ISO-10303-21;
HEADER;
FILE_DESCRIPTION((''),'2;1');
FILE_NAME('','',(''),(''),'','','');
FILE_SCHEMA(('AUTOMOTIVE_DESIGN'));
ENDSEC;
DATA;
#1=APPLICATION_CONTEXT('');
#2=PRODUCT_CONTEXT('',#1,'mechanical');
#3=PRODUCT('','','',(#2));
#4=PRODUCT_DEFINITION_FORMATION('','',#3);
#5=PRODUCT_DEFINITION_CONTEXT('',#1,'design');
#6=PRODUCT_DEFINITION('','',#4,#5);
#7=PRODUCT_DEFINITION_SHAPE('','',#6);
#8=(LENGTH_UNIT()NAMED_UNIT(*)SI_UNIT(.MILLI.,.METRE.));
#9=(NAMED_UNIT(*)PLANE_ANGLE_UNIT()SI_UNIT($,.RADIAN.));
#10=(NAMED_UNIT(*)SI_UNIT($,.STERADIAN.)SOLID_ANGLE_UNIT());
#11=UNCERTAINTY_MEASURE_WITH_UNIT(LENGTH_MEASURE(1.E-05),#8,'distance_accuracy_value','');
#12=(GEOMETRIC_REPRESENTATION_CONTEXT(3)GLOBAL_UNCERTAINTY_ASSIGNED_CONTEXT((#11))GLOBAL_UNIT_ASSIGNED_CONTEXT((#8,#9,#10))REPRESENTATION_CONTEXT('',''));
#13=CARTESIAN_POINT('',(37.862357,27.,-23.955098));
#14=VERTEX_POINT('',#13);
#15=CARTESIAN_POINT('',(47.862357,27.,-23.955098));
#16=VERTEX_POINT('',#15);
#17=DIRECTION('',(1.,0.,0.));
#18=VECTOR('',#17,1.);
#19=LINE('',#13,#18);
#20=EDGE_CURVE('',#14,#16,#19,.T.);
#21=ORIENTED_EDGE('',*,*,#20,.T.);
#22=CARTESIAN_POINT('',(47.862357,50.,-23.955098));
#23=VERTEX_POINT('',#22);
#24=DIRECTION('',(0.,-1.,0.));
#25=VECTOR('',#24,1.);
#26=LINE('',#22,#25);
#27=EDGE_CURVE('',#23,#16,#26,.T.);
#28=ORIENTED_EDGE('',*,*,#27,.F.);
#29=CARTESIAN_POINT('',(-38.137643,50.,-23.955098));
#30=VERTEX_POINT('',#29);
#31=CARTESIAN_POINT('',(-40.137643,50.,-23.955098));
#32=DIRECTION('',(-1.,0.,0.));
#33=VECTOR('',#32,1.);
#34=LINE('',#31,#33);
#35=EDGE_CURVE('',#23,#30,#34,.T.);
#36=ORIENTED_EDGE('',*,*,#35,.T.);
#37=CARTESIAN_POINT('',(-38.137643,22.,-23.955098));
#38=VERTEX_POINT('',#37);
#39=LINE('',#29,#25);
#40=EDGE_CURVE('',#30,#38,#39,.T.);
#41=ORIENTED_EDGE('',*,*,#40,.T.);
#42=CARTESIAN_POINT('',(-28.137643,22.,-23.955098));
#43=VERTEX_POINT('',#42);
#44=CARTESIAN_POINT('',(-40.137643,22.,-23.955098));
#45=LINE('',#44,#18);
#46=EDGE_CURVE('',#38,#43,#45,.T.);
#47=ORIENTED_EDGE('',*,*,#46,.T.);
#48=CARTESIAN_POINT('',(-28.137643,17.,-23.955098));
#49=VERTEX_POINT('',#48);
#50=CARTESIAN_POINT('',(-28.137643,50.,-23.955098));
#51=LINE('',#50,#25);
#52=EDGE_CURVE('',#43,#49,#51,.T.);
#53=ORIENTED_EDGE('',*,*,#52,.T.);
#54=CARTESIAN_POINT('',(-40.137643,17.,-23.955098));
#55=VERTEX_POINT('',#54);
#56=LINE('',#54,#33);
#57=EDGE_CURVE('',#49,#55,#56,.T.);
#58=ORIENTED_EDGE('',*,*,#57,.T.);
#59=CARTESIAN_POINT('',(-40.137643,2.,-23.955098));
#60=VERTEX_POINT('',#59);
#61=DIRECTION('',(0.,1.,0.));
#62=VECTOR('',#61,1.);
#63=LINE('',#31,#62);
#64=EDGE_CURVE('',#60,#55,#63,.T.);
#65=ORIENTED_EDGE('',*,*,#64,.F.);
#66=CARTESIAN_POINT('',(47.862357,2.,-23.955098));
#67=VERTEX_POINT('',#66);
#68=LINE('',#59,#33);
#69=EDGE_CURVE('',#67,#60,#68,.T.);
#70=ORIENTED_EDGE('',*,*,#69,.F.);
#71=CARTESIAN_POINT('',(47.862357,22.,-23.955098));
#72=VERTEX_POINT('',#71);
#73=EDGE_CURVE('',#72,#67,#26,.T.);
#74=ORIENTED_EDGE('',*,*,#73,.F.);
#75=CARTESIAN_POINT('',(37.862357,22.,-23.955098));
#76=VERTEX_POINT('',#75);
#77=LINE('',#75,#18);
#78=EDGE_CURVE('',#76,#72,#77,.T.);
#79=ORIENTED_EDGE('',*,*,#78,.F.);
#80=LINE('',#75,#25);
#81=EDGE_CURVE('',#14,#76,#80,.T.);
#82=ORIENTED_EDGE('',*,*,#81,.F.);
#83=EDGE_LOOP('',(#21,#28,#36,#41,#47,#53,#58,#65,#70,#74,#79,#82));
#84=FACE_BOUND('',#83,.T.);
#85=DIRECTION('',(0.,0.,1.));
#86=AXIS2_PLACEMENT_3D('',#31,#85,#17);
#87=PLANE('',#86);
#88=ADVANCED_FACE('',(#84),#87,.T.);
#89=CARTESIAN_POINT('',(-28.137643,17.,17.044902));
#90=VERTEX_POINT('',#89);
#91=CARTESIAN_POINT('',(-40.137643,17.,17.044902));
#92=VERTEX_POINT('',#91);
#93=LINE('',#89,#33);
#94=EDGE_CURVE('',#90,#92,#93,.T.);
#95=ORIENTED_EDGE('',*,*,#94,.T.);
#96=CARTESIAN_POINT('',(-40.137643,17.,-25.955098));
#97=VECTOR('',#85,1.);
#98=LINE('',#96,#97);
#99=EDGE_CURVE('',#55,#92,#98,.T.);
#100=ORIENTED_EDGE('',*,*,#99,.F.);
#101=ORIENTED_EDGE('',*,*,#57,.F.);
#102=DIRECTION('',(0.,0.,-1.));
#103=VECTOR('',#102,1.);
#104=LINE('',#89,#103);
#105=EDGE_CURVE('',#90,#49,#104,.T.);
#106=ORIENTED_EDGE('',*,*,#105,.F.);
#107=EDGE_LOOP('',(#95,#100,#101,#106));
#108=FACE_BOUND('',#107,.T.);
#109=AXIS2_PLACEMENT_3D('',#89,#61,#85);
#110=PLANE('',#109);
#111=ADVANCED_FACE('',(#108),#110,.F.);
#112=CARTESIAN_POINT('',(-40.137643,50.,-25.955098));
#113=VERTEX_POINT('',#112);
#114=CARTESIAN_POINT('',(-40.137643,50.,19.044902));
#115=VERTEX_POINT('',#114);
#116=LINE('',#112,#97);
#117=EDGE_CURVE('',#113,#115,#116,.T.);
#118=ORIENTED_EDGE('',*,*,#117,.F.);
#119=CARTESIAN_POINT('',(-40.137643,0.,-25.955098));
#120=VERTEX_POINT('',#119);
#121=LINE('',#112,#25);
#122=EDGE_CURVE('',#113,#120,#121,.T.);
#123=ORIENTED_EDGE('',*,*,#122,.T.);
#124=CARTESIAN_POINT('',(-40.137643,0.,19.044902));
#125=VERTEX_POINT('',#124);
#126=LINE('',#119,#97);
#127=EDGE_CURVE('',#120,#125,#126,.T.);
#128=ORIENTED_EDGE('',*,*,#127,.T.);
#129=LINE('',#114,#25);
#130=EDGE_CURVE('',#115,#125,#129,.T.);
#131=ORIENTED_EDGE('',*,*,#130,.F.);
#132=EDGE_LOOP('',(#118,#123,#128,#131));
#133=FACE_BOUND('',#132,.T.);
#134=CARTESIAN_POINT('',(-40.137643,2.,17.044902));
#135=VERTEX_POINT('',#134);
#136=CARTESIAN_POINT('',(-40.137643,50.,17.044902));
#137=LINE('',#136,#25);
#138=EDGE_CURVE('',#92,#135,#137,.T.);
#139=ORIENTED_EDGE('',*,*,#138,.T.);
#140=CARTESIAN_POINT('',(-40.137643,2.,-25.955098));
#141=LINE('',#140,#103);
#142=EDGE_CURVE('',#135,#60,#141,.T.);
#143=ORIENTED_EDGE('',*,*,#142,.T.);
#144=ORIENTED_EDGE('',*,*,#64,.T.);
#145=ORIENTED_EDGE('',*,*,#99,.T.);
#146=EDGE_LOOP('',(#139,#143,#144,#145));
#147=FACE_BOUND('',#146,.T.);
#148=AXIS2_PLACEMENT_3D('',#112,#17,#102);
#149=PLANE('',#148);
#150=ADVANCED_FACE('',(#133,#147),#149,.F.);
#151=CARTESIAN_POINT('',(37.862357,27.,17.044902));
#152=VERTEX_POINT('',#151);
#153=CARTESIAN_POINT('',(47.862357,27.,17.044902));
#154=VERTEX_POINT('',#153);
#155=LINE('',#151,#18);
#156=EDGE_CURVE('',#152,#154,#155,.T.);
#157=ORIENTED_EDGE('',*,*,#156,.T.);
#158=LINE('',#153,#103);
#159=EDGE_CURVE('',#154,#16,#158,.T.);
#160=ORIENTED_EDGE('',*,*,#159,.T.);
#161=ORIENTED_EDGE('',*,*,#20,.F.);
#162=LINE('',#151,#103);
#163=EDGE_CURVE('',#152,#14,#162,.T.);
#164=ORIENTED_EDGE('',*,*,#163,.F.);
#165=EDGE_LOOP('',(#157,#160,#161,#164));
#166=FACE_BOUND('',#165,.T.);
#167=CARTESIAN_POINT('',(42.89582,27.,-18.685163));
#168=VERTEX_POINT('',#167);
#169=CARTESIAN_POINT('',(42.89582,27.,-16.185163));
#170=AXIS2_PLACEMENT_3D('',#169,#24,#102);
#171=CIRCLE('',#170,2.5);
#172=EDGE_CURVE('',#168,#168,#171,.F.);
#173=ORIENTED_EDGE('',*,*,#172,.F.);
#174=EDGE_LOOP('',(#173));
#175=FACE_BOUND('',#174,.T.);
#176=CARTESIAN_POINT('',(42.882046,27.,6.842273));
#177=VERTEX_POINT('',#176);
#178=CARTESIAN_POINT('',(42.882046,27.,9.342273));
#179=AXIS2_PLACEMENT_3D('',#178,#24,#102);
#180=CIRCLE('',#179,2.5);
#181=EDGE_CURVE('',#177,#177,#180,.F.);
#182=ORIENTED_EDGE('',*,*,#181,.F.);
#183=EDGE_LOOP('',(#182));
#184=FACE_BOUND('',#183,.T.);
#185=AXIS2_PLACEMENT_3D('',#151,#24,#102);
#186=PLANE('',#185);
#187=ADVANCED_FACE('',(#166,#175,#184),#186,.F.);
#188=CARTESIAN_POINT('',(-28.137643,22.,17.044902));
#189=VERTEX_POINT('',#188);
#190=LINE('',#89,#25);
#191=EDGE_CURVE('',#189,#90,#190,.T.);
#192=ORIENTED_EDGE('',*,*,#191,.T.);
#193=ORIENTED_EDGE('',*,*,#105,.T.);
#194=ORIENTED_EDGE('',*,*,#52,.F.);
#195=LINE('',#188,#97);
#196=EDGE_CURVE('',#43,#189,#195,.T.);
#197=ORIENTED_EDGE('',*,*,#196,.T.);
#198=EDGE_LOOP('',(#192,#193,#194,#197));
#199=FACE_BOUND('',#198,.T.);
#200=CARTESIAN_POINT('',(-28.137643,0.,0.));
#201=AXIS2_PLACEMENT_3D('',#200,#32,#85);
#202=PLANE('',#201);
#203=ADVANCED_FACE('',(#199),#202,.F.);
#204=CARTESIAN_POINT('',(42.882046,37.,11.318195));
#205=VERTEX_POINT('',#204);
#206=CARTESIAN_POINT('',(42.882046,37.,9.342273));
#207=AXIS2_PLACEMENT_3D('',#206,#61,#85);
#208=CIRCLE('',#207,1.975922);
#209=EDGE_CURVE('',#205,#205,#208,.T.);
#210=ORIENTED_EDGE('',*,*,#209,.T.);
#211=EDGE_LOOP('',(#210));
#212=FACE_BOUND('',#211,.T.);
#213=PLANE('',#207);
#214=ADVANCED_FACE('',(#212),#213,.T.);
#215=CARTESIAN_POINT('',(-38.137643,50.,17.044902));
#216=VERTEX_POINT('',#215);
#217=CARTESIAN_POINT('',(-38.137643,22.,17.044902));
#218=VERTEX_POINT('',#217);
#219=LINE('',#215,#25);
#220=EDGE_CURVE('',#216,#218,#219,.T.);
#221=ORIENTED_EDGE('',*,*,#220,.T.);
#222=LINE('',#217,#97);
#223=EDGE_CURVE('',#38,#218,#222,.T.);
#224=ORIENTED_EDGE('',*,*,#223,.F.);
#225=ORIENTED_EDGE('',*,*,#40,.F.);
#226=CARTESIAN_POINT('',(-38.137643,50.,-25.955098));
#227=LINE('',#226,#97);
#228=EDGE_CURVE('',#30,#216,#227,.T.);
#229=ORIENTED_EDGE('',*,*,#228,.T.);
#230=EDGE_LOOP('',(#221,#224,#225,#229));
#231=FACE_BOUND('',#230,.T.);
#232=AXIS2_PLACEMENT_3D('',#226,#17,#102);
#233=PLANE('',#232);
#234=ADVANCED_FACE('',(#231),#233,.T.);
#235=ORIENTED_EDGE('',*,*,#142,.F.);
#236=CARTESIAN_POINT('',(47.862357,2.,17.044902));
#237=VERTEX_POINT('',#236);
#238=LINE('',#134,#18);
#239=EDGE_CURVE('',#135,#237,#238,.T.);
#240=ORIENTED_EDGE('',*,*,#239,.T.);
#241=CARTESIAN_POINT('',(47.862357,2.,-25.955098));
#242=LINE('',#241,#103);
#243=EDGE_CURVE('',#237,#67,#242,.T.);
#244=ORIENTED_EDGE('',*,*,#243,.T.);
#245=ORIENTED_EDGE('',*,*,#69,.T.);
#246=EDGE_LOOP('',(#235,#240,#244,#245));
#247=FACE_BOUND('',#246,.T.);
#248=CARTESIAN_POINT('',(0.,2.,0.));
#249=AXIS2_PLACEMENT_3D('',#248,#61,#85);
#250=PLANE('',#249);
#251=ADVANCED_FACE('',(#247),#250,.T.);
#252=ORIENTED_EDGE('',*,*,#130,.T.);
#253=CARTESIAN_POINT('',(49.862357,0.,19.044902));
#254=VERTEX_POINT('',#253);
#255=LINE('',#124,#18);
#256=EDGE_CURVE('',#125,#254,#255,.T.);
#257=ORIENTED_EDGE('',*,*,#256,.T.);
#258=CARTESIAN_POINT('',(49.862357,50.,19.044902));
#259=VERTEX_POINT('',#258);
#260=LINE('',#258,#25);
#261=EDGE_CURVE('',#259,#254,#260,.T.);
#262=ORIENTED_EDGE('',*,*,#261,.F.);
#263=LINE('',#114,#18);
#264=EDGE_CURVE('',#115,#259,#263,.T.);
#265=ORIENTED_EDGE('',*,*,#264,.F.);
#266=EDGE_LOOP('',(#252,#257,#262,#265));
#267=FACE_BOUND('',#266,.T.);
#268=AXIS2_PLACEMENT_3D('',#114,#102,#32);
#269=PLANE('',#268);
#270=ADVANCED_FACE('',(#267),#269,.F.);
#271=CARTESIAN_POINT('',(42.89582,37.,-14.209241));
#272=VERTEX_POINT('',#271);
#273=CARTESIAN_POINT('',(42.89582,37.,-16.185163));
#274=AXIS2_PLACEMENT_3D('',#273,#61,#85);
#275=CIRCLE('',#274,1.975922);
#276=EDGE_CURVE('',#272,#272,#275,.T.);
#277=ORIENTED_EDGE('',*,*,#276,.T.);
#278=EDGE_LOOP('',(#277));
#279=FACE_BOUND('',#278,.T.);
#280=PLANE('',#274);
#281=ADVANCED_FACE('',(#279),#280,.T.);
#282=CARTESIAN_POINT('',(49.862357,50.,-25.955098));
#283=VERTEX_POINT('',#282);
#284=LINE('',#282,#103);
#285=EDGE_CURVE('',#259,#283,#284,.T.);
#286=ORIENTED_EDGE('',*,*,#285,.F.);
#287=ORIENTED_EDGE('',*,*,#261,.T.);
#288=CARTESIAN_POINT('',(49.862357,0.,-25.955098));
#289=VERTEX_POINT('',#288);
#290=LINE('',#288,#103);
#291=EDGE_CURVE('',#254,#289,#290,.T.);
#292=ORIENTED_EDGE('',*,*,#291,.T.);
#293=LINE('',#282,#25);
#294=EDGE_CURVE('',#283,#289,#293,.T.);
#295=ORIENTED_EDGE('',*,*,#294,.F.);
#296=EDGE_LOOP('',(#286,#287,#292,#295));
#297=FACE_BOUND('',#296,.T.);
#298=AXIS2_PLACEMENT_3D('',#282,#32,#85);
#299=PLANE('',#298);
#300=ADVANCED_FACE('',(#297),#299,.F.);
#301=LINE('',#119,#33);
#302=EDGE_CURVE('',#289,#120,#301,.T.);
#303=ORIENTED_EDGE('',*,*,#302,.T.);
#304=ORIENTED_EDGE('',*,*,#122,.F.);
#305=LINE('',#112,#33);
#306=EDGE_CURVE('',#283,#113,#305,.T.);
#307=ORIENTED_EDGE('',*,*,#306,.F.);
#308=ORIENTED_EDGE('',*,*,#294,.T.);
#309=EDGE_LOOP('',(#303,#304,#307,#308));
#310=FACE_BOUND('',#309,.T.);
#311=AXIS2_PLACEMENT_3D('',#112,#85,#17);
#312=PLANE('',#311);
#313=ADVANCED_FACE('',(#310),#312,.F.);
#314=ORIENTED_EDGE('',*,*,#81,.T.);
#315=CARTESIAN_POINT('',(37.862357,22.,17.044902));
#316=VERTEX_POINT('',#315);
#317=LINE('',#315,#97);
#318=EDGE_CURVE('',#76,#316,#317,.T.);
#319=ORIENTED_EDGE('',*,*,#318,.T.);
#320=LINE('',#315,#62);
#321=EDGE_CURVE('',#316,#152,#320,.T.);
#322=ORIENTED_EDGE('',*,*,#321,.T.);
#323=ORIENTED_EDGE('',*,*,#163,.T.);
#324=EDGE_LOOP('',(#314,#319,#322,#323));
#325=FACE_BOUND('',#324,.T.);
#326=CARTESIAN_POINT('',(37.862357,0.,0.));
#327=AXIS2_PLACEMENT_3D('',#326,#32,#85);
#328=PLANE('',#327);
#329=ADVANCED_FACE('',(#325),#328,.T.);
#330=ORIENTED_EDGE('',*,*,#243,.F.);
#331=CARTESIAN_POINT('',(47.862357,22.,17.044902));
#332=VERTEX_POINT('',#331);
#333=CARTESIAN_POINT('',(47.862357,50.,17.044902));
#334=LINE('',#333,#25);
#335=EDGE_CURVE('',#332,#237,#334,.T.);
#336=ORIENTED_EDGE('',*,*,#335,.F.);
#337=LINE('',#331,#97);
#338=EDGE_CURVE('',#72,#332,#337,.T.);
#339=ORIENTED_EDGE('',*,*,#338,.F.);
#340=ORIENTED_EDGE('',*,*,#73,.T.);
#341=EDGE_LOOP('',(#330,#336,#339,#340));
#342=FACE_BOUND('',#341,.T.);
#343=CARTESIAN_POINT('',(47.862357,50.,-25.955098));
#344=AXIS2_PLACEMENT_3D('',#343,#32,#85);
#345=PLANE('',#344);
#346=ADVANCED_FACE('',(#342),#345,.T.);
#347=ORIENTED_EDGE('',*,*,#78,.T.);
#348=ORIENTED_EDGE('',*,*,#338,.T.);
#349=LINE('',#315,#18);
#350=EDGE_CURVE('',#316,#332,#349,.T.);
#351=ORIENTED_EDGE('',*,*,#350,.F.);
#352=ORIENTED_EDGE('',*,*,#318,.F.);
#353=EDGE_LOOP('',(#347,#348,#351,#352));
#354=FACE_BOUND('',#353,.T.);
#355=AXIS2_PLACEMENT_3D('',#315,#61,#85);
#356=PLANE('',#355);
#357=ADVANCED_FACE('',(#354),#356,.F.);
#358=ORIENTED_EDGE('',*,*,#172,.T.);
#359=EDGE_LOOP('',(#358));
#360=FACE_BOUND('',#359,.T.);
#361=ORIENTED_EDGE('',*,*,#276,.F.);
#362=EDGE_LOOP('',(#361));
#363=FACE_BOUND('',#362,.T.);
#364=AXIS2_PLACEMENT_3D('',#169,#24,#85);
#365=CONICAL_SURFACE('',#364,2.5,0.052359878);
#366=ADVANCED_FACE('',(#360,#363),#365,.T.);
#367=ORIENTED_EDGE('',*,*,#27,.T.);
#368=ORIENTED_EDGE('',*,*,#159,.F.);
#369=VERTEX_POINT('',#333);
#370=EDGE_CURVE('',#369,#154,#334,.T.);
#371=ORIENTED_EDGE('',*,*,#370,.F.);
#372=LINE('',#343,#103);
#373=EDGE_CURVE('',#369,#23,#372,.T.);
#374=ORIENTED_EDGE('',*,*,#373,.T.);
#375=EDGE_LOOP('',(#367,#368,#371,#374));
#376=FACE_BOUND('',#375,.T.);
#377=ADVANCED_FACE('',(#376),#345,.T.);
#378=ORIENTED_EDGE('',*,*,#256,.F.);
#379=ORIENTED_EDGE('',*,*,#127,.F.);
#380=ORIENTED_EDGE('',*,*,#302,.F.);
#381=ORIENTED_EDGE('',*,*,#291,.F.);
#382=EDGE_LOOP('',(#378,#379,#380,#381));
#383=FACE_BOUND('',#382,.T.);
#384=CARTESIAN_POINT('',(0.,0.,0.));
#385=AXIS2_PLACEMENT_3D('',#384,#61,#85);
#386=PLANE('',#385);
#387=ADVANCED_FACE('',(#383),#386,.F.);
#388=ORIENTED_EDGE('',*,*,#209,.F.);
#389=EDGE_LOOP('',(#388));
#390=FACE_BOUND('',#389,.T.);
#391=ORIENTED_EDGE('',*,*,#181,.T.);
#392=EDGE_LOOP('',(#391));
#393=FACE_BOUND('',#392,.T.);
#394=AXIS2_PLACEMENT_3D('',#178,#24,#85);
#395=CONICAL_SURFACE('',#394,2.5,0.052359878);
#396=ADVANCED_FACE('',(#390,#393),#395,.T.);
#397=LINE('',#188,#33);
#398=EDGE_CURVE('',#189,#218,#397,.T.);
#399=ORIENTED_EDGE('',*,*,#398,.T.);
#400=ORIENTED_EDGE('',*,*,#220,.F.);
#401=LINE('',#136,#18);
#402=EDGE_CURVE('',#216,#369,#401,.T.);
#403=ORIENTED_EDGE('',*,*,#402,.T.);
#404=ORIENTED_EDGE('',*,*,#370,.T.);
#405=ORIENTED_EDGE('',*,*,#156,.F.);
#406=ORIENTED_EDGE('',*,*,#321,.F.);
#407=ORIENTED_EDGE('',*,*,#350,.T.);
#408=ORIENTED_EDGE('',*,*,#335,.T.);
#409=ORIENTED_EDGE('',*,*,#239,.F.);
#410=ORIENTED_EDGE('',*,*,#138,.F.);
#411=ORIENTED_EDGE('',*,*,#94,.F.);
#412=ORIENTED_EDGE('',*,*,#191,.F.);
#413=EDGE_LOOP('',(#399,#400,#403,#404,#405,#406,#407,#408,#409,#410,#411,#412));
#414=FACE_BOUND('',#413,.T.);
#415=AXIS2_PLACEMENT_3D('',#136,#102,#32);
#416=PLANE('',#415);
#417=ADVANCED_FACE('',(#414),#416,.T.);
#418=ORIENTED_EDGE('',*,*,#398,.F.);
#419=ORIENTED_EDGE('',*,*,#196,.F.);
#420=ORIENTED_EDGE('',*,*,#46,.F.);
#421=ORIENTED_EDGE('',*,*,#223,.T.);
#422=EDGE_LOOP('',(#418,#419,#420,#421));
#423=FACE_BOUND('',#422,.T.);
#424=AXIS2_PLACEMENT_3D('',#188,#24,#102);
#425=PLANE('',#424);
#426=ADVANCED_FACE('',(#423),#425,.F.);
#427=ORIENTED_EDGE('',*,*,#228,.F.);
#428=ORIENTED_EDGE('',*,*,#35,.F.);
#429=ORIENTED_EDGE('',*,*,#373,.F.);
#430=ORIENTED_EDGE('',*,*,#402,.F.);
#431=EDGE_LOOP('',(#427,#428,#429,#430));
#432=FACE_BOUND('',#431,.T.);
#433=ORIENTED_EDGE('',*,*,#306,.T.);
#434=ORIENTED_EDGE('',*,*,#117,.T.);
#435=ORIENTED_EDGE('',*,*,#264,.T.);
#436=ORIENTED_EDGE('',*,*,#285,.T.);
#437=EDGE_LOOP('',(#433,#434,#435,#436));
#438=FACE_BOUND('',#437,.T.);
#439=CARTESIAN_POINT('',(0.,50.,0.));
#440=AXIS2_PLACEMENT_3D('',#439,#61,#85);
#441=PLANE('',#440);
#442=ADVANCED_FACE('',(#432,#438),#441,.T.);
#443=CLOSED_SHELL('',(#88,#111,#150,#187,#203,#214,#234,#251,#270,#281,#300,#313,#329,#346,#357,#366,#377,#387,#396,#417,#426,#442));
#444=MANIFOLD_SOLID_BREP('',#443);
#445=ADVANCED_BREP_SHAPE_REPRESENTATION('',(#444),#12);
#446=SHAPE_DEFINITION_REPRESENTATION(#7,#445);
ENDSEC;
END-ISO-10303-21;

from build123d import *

# Parameters (mm, degrees)
SKETCH1_W           = 90
SKETCH1_H           = 45
BOSS_EXTRUDE1_DEPTH = 50
SHELL1_T            = -2
SKETCH13_W          = 41.406561997
SKETCH13_H          = 5
BOSS_EXTRUDE3_DEPTH = 10
SKETCH15_W          = 41
SKETCH15_H          = 5
BOSS_EXTRUDE4_DEPTH = 10
SKETCH11_W          = 41
SKETCH11_H          = 15
CUT_EXTRUDE1_DEPTH  = 3
SKETCH26_R          = 2.5
BOSS_EXTRUDE5_DEPTH = 10
BOSS_EXTRUDE5_TAPER = 3
SKETCH27_R          = 2.5
BOSS_EXTRUDE6_DEPTH = 10
BOSS_EXTRUDE6_TAPER = 3


with BuildPart() as part:
    # Sketch1 → Boss-Extrude1 (new body)
    with BuildSketch(Plane(origin=(0, 0, 0), x_dir=(1, 0, 0), z_dir=(0, 1, 0))):
        with Locations((4.862356655, 3.4550978)):
            Rectangle(SKETCH1_W, SKETCH1_H)
    extrude(amount=BOSS_EXTRUDE1_DEPTH)

    # Shell1
    shell1_openings = [part.faces().sort_by_distance(p)[0] for p in [
        (4.862356655, 50, -3.4550978),
    ]]
    offset(amount=SHELL1_T, openings=shell1_openings, kind=Kind.INTERSECTION)

    # Sketch13 → Boss-Extrude3 (add)
    with BuildSketch(Plane(origin=(-38.137643345, 0, 0), x_dir=(0, 0, -1), z_dir=(1, 0, 0))):
        with Locations((3.658378798, 19.5)):
            Rectangle(SKETCH13_W, SKETCH13_H)
    extrude(amount=BOSS_EXTRUDE3_DEPTH)

    # Sketch15 → Boss-Extrude4 (add)
    with BuildSketch(Plane.ZY.offset(-47.862356655)):
        with Locations((-3.4550978, 24.5)):
            Rectangle(SKETCH15_W, SKETCH15_H)
    extrude(amount=BOSS_EXTRUDE4_DEPTH)

    # Sketch11 → Cut-Extrude1 (cut)
    with BuildSketch(Plane(origin=(-38.137643345, 0, 0), x_dir=(0, 0, -1), z_dir=(1, 0, 0))):
        with Locations((3.4550978, 9.5)):
            Rectangle(SKETCH11_W, SKETCH11_H)
    extrude(amount=-CUT_EXTRUDE1_DEPTH, mode=Mode.SUBTRACT)

    # Sketch26 → Boss-Extrude5 (add)
    with BuildSketch(Plane(origin=(0, 27, 0), x_dir=(1, 0, 0), z_dir=(0, 1, 0))):
        with Locations((42.895820428, 16.185162885)):
            Circle(SKETCH26_R)
    extrude(amount=BOSS_EXTRUDE5_DEPTH, taper=BOSS_EXTRUDE5_TAPER)

    # Sketch27 → Boss-Extrude6 (add)
    with BuildSketch(Plane(origin=(0, 27, 0), x_dir=(1, 0, 0), z_dir=(0, 1, 0))):
        with Locations((42.882046205, -9.342272768)):
            Circle(SKETCH27_R)
    extrude(amount=BOSS_EXTRUDE6_DEPTH, taper=BOSS_EXTRUDE6_TAPER)


solid = part.part
